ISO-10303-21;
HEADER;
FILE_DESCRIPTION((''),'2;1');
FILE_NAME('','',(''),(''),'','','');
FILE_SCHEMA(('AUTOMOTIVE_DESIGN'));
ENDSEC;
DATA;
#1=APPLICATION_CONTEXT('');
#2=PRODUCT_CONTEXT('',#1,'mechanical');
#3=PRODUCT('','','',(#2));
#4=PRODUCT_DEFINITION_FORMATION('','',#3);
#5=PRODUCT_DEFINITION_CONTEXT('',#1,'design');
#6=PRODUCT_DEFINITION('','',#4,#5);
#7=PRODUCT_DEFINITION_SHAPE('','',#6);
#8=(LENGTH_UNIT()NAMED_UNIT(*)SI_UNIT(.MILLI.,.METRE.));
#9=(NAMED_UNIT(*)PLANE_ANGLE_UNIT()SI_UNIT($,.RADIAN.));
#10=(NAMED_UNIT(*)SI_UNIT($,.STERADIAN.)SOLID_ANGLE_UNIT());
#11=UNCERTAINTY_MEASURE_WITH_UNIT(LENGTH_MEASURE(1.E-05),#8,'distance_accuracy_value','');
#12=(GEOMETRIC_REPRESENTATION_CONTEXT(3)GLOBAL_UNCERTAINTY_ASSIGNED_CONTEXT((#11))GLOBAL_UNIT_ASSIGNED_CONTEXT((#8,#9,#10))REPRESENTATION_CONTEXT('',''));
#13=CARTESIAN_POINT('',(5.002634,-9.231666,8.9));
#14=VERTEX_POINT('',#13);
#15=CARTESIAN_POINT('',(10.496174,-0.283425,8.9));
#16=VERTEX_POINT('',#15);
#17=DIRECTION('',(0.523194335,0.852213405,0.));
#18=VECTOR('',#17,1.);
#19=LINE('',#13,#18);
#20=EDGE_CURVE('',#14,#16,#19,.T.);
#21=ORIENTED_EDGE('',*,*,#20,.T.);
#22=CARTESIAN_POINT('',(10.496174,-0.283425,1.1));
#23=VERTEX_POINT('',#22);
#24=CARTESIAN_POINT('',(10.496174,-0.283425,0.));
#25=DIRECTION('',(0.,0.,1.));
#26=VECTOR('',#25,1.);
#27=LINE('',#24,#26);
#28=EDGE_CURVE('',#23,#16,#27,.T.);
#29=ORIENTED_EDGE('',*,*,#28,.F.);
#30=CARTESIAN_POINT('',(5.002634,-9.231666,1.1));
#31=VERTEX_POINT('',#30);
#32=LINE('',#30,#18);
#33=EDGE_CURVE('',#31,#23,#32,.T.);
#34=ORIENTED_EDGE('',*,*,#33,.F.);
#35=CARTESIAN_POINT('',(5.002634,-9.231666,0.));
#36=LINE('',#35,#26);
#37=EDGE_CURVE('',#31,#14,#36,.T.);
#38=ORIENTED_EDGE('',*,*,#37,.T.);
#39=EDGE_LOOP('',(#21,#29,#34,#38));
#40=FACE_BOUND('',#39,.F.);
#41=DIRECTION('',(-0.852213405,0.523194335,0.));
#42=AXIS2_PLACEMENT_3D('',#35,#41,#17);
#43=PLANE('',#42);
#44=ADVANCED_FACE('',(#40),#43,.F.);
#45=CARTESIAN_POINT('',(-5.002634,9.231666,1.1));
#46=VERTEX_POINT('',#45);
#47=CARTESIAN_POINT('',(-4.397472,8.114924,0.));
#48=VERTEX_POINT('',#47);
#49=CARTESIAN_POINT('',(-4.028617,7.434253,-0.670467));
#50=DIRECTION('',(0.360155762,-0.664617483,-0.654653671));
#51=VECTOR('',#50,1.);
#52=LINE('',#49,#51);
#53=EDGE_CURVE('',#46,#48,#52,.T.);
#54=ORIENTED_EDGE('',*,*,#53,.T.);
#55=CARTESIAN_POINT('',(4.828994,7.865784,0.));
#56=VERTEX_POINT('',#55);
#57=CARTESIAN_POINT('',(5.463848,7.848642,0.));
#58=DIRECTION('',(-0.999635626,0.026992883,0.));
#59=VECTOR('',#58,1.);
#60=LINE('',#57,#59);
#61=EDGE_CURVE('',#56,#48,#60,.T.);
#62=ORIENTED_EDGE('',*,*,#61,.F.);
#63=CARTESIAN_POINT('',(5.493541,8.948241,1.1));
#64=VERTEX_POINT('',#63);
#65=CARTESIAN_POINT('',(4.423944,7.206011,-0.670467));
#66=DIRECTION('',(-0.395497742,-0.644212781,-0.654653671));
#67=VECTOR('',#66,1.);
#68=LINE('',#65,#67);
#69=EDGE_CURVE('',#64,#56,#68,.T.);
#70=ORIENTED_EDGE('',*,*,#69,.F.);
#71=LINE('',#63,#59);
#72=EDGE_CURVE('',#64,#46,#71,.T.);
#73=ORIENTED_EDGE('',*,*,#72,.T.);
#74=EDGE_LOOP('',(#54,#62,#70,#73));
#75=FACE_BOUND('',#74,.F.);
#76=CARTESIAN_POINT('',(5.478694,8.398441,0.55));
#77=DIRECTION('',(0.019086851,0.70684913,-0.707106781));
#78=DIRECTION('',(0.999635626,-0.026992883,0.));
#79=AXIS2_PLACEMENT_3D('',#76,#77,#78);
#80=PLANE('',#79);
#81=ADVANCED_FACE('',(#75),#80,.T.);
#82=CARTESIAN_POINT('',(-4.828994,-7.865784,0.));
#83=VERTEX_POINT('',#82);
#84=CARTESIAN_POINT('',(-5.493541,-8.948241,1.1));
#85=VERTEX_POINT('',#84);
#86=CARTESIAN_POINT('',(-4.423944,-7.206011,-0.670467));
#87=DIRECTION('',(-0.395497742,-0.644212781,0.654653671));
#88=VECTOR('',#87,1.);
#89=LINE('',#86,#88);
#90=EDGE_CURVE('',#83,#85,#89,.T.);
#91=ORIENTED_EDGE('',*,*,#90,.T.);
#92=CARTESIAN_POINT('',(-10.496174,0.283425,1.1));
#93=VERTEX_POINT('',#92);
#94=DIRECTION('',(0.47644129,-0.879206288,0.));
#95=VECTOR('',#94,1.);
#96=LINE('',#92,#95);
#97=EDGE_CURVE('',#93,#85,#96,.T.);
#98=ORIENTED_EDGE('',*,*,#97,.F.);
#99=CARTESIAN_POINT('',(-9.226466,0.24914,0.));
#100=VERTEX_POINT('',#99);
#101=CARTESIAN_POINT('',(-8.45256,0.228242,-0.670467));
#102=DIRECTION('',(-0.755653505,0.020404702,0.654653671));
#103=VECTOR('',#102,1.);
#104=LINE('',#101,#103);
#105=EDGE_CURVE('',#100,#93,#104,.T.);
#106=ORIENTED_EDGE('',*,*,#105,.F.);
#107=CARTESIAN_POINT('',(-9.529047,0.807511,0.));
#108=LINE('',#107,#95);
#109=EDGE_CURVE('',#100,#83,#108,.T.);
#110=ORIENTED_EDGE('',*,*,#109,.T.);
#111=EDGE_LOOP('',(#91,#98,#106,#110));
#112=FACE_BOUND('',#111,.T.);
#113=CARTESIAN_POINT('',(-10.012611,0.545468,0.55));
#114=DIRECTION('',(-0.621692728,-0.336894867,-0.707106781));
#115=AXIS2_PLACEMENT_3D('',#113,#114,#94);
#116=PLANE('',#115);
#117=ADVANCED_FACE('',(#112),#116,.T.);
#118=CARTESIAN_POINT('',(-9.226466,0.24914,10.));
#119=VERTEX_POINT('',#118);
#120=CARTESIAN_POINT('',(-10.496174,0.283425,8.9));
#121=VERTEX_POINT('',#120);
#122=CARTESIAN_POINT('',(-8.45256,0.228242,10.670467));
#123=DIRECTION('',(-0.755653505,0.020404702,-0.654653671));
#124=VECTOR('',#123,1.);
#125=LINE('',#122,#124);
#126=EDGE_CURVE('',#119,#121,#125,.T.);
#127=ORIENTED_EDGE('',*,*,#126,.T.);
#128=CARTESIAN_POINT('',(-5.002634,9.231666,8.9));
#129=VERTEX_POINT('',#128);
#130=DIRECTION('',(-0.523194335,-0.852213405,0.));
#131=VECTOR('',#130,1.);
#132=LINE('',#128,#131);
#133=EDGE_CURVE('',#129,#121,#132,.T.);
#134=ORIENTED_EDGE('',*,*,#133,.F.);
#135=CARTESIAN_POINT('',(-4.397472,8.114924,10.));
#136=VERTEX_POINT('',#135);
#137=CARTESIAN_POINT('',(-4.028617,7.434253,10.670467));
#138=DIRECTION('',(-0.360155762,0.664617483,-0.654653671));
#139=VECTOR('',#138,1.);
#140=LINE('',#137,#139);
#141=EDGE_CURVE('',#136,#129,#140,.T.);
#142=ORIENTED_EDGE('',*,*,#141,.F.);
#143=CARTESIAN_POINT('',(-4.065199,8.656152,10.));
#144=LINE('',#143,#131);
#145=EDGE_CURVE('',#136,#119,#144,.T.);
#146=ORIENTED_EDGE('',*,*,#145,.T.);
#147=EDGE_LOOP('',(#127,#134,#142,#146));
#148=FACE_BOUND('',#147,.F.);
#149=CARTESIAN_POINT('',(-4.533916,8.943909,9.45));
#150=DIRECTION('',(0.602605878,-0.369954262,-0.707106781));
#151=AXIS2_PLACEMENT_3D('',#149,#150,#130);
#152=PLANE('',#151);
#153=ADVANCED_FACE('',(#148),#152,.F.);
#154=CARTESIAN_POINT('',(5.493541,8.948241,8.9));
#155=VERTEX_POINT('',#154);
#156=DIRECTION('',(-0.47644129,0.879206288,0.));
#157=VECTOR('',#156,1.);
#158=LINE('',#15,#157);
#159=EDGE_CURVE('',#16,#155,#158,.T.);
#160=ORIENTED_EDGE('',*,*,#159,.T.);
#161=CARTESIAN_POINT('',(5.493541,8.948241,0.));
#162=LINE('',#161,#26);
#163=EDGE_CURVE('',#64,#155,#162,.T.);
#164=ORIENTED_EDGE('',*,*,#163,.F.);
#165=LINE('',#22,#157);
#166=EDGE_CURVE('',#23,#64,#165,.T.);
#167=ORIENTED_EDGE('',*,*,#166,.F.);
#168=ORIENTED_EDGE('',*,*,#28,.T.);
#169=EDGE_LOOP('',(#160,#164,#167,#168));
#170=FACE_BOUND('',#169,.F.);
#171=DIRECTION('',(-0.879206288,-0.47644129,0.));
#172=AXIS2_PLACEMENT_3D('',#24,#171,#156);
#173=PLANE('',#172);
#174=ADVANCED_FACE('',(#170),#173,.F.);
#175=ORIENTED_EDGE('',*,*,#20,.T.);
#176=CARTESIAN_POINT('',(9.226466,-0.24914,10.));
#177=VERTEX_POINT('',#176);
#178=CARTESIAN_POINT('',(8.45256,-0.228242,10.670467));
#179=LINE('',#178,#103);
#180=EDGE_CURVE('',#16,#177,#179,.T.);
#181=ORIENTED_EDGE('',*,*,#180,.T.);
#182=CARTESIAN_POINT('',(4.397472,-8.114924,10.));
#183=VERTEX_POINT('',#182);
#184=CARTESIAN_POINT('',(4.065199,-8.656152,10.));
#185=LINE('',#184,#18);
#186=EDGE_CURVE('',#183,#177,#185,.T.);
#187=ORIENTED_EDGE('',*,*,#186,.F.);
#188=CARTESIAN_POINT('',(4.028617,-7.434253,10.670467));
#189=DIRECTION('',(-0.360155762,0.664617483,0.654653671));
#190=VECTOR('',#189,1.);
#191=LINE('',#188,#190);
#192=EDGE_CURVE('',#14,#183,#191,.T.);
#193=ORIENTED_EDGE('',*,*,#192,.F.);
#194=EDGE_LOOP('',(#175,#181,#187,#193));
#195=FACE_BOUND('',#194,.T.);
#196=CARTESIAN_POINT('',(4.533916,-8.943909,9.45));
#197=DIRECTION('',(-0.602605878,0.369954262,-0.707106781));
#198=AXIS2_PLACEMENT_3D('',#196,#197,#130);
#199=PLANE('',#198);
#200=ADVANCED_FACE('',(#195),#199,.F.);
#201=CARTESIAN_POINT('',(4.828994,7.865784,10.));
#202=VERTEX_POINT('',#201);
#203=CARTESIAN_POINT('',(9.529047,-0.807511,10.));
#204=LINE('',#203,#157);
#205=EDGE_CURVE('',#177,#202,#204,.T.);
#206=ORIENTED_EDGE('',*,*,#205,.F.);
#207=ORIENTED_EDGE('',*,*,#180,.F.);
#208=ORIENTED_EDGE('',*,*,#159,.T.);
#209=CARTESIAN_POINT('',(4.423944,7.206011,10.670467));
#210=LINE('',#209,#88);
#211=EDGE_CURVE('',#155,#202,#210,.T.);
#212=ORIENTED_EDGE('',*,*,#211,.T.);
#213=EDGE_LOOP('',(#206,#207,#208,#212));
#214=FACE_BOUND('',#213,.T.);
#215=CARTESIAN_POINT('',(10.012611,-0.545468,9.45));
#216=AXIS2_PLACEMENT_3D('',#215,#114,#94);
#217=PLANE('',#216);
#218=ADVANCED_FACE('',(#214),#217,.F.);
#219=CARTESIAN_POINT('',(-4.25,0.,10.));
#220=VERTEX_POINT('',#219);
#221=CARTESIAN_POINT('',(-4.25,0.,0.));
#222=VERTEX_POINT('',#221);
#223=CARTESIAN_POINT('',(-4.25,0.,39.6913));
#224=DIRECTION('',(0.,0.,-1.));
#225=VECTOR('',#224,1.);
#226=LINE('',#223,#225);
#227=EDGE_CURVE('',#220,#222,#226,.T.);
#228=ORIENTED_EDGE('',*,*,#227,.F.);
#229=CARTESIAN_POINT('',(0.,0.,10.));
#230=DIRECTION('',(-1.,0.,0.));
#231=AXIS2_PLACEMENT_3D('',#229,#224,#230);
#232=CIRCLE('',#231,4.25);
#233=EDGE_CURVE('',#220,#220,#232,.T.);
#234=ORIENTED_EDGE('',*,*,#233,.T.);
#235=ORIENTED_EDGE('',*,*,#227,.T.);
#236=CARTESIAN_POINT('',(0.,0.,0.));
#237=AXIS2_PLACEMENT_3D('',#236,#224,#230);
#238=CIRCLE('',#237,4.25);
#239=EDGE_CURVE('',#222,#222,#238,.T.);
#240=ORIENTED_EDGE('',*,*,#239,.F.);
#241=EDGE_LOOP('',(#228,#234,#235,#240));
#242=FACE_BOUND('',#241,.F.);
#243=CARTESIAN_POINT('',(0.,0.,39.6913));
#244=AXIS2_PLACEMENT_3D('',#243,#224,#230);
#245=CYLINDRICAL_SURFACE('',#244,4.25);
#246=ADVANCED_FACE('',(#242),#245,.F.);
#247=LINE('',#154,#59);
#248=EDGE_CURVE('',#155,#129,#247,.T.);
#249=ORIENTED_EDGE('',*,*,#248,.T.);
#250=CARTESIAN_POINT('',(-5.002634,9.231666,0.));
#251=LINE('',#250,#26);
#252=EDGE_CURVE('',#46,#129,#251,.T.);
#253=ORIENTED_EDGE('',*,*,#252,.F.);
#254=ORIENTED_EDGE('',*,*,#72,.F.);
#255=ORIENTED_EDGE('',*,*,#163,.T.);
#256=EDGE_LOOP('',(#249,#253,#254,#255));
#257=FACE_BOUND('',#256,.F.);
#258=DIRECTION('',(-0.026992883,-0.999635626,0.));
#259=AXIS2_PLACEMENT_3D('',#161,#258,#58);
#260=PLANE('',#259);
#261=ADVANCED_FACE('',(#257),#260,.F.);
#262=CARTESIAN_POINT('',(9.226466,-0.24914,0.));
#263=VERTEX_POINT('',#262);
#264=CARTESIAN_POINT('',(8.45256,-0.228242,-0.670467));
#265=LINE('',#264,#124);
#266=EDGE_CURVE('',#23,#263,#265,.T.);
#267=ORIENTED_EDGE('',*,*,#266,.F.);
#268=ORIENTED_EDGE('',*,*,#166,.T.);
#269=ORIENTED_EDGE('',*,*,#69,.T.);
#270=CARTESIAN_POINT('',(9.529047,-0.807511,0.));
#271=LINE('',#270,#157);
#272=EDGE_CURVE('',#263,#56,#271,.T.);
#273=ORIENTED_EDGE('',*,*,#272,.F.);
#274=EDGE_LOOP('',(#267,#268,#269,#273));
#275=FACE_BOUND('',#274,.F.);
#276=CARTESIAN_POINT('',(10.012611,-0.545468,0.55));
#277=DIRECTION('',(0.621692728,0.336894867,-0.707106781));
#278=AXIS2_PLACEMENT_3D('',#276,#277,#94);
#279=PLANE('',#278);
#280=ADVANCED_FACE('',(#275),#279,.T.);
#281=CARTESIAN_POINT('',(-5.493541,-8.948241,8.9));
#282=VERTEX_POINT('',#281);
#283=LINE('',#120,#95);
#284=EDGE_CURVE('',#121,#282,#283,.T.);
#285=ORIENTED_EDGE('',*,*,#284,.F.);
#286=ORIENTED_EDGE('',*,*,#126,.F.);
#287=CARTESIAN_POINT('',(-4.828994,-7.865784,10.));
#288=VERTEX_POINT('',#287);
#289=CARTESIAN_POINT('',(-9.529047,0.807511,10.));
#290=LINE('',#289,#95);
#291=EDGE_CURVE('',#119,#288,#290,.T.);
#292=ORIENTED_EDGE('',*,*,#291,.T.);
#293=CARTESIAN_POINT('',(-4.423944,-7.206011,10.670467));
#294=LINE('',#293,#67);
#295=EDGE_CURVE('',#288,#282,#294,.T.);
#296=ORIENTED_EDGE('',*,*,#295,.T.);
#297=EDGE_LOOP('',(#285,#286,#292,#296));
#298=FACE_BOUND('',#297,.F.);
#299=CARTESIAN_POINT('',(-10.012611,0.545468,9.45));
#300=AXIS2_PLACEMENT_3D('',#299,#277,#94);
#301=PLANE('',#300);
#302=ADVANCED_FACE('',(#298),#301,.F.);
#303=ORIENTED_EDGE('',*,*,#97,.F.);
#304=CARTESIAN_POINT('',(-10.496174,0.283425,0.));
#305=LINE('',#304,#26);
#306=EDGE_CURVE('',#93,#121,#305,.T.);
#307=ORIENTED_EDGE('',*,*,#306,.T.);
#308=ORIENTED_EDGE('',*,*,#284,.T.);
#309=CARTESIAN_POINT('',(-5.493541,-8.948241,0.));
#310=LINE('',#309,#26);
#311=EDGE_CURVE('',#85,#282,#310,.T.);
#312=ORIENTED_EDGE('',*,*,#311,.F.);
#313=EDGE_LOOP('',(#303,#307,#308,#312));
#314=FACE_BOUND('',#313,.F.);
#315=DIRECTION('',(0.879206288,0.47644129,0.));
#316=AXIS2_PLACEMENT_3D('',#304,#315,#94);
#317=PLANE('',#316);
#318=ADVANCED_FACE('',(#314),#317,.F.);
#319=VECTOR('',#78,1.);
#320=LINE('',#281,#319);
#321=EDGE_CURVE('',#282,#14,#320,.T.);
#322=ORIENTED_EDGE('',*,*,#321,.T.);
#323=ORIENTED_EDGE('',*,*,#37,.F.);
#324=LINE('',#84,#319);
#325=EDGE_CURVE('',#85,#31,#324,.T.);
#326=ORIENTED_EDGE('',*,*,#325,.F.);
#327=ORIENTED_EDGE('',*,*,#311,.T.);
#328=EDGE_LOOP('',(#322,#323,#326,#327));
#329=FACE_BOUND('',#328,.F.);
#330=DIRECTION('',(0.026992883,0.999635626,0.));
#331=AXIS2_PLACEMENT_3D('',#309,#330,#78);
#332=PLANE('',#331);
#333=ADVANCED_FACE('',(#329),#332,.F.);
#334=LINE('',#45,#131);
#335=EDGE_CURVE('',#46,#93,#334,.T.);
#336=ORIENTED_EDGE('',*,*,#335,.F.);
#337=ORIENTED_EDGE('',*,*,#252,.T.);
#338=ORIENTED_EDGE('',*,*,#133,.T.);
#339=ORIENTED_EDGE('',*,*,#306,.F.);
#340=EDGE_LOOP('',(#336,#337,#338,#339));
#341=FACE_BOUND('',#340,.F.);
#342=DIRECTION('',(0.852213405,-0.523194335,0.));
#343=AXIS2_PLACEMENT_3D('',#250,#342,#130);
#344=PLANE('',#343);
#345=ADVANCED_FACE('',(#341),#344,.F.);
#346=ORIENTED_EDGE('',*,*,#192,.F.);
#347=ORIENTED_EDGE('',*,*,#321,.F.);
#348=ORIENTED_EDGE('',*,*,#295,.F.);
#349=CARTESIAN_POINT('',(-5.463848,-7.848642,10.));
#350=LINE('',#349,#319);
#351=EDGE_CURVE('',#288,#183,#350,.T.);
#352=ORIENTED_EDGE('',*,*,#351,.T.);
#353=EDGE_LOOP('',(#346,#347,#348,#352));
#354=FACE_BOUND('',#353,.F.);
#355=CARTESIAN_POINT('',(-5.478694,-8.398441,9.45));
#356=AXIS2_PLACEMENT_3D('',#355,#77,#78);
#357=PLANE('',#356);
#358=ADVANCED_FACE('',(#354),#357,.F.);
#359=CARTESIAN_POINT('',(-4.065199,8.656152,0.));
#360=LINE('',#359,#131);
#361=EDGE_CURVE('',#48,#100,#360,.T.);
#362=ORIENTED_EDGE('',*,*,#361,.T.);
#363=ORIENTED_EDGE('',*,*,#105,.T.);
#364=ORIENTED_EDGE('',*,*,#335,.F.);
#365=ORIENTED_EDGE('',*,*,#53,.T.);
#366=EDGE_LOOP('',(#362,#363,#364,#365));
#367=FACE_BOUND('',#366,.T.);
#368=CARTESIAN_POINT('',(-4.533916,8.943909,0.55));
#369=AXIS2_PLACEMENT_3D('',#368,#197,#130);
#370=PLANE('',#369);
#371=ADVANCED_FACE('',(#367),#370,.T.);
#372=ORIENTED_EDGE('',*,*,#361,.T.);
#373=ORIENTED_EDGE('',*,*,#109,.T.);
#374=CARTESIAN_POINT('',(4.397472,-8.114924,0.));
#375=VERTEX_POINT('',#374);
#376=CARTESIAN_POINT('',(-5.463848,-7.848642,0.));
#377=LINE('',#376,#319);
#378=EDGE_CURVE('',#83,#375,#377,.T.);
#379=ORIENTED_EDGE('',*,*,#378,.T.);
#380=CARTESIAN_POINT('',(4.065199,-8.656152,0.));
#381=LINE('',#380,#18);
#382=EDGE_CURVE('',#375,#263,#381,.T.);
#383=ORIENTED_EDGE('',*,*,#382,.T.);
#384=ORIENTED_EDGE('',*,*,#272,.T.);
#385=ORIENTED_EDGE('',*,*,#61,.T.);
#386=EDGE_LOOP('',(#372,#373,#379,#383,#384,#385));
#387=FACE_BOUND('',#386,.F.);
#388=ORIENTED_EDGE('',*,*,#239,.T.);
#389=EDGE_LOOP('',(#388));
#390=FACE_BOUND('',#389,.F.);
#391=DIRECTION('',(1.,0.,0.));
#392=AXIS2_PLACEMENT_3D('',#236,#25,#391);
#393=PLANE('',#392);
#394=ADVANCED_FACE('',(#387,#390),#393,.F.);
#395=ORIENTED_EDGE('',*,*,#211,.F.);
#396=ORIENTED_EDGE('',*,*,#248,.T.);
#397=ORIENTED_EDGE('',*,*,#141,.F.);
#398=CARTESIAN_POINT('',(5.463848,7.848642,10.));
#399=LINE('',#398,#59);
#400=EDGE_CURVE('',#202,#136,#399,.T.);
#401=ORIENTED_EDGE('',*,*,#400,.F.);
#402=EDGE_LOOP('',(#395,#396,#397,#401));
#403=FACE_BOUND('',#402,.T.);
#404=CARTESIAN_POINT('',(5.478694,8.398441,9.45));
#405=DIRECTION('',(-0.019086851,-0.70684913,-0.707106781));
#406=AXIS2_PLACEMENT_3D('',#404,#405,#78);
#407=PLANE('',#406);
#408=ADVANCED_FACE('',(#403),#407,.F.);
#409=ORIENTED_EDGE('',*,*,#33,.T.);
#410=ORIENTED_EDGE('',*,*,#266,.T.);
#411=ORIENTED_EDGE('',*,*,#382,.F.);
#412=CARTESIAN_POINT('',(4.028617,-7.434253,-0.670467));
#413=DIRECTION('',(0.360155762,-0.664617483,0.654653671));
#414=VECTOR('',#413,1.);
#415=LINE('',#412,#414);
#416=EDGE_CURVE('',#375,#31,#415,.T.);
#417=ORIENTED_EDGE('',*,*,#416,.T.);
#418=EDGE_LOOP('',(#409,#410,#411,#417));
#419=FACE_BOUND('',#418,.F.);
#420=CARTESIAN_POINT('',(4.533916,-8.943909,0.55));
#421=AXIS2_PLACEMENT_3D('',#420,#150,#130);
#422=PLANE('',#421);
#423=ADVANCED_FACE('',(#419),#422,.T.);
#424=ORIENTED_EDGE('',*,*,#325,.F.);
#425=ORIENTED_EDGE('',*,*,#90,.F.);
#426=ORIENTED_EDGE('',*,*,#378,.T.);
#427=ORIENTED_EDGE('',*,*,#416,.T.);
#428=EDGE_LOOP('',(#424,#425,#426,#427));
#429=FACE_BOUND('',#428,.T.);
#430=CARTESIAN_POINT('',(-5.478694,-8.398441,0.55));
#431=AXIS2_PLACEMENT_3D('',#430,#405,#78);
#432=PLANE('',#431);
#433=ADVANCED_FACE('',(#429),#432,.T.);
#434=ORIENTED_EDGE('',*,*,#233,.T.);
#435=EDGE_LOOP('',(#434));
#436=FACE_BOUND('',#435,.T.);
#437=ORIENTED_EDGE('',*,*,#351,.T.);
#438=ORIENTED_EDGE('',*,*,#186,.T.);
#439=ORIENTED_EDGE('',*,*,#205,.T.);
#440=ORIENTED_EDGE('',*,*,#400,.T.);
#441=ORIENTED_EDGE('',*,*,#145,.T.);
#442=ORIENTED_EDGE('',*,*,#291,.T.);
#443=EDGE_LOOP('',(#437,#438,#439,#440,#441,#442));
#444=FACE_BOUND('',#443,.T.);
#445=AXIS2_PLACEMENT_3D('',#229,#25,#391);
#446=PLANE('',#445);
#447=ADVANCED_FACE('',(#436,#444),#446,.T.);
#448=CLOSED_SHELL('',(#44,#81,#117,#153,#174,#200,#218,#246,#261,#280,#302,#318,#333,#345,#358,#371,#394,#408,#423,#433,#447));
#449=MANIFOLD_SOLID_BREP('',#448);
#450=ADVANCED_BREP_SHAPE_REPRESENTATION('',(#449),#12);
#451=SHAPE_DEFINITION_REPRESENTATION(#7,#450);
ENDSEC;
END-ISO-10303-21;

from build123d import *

# Parameters (mm, degrees)
F1_DEPTH = 10
F3_D     = 8.5
F4_SIZE  = 1.1


with BuildPart() as f1:
    # F0 (on Top) → F1 (new body)
    with BuildSketch(Plane.XY):
        Polygon((10.4961740703, -0.2834252726), (5.4935405213, 8.9482407512), (-5.0026335491, 9.2316660237), (-10.4961740703, 0.2834252726), (-5.4935405213, -8.9482407512), (5.0026335491, -9.2316660237), align=None)
    extrude(amount=F1_DEPTH)

    # F3 (through all)
    with Locations(Plane.XY.offset(10)):
        with Locations((0, 0)):
            Hole(F3_D / 2)

    # F4
    f4_edges = [f1.edges().sort_by_distance(p)[0] for p in [
        (-7.994857, -4.332408, 10),
        (-7.749404, 4.757546, 10),
        (0.245453, 9.089953, 10),
        (7.994857, 4.332408, 10),
        (7.749404, -4.757546, 10),
        (-0.245453, -9.089953, 10),
        (-0.245453, -9.089953, 0),
        (7.749404, -4.757546, 0),
        (7.994857, 4.332408, 0),
        (0.245453, 9.089953, 0),
        (-7.749404, 4.757546, 0),
        (-7.994857, -4.332408, 0),
    ]]
    chamfer(f4_edges, length=F4_SIZE)


solid = f1.part
